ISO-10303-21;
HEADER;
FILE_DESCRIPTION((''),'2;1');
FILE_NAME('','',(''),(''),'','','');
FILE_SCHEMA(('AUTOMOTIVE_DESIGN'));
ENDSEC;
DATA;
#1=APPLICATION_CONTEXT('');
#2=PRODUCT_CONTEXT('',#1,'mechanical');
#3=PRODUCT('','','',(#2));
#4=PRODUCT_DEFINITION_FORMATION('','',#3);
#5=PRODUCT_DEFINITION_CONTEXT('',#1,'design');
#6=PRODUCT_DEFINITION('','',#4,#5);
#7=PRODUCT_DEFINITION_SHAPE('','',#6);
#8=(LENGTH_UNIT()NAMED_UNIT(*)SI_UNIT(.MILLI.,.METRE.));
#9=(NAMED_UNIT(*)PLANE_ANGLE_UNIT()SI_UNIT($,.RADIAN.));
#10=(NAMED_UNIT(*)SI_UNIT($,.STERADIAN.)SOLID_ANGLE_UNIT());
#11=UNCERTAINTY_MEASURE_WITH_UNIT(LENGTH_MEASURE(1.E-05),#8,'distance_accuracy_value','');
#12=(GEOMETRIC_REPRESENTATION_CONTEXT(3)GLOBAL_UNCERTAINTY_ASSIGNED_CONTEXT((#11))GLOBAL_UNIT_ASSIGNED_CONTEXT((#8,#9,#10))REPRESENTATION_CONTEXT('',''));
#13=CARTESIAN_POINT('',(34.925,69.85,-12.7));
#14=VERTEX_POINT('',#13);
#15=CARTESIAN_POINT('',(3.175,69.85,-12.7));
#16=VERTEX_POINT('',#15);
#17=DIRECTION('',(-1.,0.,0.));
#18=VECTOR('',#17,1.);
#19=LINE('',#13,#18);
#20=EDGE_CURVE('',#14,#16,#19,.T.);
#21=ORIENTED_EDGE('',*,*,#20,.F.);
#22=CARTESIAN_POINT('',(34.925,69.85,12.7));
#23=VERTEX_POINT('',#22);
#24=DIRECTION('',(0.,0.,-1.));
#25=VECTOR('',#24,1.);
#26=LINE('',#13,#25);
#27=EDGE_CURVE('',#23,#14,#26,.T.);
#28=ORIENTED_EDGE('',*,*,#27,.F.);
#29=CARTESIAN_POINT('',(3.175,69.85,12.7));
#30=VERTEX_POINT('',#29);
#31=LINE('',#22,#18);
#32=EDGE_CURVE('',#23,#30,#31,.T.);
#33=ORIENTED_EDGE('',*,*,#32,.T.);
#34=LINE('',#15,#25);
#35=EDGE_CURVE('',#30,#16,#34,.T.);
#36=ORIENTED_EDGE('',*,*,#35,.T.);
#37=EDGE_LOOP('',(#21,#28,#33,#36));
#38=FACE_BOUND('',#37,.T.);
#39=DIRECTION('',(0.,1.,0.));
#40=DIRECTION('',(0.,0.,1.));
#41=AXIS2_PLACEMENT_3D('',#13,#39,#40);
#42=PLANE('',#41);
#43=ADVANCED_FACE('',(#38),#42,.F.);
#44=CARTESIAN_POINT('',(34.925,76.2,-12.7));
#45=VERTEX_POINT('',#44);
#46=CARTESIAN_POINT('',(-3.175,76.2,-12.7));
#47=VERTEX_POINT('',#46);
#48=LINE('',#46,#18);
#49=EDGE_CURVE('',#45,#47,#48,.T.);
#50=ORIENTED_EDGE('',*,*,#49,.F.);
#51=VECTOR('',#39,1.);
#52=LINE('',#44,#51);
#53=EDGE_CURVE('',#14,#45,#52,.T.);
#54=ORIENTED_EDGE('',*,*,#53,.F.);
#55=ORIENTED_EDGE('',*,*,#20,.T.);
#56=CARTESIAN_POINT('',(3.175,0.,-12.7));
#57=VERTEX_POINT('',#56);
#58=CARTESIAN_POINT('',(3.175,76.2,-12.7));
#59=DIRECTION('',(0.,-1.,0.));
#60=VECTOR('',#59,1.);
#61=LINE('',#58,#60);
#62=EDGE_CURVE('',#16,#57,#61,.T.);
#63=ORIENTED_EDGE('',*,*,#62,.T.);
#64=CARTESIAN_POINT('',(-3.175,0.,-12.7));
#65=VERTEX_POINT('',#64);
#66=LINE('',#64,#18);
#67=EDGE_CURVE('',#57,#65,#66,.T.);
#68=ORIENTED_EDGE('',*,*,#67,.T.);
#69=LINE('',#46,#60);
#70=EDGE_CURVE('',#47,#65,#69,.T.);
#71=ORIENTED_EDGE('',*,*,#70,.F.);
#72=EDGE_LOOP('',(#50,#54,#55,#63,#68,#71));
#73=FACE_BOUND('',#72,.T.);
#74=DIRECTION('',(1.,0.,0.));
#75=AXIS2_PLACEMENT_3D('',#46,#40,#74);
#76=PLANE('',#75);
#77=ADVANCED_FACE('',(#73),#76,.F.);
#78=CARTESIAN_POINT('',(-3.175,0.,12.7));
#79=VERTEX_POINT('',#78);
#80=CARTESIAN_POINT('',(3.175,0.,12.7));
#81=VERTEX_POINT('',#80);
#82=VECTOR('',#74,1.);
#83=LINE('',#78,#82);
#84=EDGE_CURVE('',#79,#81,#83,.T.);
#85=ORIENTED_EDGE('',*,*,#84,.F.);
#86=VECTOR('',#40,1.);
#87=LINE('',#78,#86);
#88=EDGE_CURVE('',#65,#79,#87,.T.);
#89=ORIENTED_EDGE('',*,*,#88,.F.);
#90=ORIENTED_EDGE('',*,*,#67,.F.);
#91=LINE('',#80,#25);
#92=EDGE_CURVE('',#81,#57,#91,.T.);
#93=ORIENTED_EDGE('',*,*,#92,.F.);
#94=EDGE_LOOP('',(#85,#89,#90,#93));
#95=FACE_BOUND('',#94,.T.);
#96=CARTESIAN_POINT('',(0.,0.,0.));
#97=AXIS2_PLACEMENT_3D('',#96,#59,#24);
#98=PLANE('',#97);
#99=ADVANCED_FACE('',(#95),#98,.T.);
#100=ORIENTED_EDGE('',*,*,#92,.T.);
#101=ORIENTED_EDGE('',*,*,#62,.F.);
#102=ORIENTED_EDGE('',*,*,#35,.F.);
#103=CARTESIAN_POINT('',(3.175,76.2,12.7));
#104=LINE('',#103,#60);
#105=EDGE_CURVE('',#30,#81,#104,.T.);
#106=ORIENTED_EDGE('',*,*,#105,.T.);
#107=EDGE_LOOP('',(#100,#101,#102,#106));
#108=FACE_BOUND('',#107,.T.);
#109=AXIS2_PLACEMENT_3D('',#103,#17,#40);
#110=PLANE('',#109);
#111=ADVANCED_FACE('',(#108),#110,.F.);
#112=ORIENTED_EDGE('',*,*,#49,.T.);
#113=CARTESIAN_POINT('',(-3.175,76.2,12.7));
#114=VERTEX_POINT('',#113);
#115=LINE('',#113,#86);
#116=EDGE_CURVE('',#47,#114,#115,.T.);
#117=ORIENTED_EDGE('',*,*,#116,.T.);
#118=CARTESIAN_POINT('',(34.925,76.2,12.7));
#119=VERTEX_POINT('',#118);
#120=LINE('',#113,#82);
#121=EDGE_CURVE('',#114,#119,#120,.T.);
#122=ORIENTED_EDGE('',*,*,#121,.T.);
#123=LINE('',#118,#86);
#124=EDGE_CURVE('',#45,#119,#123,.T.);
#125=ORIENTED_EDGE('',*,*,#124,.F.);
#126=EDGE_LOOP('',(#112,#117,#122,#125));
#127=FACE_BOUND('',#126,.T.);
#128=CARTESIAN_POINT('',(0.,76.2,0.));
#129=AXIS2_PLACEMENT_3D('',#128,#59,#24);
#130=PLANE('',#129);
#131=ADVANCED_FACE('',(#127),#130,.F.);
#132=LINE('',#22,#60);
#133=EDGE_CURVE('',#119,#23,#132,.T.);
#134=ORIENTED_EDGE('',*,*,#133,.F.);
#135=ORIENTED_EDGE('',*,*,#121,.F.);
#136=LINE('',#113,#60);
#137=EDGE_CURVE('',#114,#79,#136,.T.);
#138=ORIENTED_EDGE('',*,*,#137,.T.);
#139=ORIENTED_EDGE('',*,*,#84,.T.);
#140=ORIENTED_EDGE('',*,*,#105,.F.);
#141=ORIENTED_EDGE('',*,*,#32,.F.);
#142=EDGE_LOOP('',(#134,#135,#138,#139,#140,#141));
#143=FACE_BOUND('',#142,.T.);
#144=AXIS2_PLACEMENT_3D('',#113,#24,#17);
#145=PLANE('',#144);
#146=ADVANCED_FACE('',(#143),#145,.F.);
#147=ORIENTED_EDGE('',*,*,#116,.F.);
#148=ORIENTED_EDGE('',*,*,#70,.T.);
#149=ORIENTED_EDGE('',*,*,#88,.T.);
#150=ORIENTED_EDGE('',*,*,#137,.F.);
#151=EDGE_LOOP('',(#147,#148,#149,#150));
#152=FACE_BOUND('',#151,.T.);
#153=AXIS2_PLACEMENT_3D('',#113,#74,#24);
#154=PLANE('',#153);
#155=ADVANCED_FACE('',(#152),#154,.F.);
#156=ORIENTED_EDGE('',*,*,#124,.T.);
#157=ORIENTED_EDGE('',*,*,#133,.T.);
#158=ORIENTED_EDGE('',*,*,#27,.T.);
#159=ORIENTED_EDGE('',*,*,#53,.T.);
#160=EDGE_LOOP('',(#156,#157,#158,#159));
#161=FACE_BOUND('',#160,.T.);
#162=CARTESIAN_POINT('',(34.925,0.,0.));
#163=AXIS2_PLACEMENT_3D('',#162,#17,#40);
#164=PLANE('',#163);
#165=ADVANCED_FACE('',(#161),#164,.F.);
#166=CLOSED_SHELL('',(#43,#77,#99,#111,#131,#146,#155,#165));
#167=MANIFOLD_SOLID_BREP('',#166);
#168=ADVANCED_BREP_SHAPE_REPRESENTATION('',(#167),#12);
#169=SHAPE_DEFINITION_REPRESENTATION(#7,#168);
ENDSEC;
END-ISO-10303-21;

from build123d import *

# Parameters (mm, degrees)
SKETCH2_W           = 6.35
SKETCH2_H           = 25.4
BOSS_EXTRUDE1_DEPTH = 76.2
SKETCH3_W           = 25.4
SKETCH3_H           = 6.35
BOSS_EXTRUDE3_DEPTH = 31.75


with BuildPart() as part:
    # Sketch2 → Boss-Extrude1 (new body)
    with BuildSketch(Plane(origin=(0, 0, 0), x_dir=(1, 0, 0), z_dir=(0, 1, 0))):
        Rectangle(SKETCH2_W, SKETCH2_H)
    extrude(amount=BOSS_EXTRUDE1_DEPTH)

    # Sketch3 → Boss-Extrude3 (add)
    with BuildSketch(Plane(origin=(3.175, 0, 0), x_dir=(0, 0, -1), z_dir=(1, 0, 0))):
        with Locations((0, 73.025)):
            Rectangle(SKETCH3_W, SKETCH3_H)
    extrude(amount=BOSS_EXTRUDE3_DEPTH)


solid = part.part
